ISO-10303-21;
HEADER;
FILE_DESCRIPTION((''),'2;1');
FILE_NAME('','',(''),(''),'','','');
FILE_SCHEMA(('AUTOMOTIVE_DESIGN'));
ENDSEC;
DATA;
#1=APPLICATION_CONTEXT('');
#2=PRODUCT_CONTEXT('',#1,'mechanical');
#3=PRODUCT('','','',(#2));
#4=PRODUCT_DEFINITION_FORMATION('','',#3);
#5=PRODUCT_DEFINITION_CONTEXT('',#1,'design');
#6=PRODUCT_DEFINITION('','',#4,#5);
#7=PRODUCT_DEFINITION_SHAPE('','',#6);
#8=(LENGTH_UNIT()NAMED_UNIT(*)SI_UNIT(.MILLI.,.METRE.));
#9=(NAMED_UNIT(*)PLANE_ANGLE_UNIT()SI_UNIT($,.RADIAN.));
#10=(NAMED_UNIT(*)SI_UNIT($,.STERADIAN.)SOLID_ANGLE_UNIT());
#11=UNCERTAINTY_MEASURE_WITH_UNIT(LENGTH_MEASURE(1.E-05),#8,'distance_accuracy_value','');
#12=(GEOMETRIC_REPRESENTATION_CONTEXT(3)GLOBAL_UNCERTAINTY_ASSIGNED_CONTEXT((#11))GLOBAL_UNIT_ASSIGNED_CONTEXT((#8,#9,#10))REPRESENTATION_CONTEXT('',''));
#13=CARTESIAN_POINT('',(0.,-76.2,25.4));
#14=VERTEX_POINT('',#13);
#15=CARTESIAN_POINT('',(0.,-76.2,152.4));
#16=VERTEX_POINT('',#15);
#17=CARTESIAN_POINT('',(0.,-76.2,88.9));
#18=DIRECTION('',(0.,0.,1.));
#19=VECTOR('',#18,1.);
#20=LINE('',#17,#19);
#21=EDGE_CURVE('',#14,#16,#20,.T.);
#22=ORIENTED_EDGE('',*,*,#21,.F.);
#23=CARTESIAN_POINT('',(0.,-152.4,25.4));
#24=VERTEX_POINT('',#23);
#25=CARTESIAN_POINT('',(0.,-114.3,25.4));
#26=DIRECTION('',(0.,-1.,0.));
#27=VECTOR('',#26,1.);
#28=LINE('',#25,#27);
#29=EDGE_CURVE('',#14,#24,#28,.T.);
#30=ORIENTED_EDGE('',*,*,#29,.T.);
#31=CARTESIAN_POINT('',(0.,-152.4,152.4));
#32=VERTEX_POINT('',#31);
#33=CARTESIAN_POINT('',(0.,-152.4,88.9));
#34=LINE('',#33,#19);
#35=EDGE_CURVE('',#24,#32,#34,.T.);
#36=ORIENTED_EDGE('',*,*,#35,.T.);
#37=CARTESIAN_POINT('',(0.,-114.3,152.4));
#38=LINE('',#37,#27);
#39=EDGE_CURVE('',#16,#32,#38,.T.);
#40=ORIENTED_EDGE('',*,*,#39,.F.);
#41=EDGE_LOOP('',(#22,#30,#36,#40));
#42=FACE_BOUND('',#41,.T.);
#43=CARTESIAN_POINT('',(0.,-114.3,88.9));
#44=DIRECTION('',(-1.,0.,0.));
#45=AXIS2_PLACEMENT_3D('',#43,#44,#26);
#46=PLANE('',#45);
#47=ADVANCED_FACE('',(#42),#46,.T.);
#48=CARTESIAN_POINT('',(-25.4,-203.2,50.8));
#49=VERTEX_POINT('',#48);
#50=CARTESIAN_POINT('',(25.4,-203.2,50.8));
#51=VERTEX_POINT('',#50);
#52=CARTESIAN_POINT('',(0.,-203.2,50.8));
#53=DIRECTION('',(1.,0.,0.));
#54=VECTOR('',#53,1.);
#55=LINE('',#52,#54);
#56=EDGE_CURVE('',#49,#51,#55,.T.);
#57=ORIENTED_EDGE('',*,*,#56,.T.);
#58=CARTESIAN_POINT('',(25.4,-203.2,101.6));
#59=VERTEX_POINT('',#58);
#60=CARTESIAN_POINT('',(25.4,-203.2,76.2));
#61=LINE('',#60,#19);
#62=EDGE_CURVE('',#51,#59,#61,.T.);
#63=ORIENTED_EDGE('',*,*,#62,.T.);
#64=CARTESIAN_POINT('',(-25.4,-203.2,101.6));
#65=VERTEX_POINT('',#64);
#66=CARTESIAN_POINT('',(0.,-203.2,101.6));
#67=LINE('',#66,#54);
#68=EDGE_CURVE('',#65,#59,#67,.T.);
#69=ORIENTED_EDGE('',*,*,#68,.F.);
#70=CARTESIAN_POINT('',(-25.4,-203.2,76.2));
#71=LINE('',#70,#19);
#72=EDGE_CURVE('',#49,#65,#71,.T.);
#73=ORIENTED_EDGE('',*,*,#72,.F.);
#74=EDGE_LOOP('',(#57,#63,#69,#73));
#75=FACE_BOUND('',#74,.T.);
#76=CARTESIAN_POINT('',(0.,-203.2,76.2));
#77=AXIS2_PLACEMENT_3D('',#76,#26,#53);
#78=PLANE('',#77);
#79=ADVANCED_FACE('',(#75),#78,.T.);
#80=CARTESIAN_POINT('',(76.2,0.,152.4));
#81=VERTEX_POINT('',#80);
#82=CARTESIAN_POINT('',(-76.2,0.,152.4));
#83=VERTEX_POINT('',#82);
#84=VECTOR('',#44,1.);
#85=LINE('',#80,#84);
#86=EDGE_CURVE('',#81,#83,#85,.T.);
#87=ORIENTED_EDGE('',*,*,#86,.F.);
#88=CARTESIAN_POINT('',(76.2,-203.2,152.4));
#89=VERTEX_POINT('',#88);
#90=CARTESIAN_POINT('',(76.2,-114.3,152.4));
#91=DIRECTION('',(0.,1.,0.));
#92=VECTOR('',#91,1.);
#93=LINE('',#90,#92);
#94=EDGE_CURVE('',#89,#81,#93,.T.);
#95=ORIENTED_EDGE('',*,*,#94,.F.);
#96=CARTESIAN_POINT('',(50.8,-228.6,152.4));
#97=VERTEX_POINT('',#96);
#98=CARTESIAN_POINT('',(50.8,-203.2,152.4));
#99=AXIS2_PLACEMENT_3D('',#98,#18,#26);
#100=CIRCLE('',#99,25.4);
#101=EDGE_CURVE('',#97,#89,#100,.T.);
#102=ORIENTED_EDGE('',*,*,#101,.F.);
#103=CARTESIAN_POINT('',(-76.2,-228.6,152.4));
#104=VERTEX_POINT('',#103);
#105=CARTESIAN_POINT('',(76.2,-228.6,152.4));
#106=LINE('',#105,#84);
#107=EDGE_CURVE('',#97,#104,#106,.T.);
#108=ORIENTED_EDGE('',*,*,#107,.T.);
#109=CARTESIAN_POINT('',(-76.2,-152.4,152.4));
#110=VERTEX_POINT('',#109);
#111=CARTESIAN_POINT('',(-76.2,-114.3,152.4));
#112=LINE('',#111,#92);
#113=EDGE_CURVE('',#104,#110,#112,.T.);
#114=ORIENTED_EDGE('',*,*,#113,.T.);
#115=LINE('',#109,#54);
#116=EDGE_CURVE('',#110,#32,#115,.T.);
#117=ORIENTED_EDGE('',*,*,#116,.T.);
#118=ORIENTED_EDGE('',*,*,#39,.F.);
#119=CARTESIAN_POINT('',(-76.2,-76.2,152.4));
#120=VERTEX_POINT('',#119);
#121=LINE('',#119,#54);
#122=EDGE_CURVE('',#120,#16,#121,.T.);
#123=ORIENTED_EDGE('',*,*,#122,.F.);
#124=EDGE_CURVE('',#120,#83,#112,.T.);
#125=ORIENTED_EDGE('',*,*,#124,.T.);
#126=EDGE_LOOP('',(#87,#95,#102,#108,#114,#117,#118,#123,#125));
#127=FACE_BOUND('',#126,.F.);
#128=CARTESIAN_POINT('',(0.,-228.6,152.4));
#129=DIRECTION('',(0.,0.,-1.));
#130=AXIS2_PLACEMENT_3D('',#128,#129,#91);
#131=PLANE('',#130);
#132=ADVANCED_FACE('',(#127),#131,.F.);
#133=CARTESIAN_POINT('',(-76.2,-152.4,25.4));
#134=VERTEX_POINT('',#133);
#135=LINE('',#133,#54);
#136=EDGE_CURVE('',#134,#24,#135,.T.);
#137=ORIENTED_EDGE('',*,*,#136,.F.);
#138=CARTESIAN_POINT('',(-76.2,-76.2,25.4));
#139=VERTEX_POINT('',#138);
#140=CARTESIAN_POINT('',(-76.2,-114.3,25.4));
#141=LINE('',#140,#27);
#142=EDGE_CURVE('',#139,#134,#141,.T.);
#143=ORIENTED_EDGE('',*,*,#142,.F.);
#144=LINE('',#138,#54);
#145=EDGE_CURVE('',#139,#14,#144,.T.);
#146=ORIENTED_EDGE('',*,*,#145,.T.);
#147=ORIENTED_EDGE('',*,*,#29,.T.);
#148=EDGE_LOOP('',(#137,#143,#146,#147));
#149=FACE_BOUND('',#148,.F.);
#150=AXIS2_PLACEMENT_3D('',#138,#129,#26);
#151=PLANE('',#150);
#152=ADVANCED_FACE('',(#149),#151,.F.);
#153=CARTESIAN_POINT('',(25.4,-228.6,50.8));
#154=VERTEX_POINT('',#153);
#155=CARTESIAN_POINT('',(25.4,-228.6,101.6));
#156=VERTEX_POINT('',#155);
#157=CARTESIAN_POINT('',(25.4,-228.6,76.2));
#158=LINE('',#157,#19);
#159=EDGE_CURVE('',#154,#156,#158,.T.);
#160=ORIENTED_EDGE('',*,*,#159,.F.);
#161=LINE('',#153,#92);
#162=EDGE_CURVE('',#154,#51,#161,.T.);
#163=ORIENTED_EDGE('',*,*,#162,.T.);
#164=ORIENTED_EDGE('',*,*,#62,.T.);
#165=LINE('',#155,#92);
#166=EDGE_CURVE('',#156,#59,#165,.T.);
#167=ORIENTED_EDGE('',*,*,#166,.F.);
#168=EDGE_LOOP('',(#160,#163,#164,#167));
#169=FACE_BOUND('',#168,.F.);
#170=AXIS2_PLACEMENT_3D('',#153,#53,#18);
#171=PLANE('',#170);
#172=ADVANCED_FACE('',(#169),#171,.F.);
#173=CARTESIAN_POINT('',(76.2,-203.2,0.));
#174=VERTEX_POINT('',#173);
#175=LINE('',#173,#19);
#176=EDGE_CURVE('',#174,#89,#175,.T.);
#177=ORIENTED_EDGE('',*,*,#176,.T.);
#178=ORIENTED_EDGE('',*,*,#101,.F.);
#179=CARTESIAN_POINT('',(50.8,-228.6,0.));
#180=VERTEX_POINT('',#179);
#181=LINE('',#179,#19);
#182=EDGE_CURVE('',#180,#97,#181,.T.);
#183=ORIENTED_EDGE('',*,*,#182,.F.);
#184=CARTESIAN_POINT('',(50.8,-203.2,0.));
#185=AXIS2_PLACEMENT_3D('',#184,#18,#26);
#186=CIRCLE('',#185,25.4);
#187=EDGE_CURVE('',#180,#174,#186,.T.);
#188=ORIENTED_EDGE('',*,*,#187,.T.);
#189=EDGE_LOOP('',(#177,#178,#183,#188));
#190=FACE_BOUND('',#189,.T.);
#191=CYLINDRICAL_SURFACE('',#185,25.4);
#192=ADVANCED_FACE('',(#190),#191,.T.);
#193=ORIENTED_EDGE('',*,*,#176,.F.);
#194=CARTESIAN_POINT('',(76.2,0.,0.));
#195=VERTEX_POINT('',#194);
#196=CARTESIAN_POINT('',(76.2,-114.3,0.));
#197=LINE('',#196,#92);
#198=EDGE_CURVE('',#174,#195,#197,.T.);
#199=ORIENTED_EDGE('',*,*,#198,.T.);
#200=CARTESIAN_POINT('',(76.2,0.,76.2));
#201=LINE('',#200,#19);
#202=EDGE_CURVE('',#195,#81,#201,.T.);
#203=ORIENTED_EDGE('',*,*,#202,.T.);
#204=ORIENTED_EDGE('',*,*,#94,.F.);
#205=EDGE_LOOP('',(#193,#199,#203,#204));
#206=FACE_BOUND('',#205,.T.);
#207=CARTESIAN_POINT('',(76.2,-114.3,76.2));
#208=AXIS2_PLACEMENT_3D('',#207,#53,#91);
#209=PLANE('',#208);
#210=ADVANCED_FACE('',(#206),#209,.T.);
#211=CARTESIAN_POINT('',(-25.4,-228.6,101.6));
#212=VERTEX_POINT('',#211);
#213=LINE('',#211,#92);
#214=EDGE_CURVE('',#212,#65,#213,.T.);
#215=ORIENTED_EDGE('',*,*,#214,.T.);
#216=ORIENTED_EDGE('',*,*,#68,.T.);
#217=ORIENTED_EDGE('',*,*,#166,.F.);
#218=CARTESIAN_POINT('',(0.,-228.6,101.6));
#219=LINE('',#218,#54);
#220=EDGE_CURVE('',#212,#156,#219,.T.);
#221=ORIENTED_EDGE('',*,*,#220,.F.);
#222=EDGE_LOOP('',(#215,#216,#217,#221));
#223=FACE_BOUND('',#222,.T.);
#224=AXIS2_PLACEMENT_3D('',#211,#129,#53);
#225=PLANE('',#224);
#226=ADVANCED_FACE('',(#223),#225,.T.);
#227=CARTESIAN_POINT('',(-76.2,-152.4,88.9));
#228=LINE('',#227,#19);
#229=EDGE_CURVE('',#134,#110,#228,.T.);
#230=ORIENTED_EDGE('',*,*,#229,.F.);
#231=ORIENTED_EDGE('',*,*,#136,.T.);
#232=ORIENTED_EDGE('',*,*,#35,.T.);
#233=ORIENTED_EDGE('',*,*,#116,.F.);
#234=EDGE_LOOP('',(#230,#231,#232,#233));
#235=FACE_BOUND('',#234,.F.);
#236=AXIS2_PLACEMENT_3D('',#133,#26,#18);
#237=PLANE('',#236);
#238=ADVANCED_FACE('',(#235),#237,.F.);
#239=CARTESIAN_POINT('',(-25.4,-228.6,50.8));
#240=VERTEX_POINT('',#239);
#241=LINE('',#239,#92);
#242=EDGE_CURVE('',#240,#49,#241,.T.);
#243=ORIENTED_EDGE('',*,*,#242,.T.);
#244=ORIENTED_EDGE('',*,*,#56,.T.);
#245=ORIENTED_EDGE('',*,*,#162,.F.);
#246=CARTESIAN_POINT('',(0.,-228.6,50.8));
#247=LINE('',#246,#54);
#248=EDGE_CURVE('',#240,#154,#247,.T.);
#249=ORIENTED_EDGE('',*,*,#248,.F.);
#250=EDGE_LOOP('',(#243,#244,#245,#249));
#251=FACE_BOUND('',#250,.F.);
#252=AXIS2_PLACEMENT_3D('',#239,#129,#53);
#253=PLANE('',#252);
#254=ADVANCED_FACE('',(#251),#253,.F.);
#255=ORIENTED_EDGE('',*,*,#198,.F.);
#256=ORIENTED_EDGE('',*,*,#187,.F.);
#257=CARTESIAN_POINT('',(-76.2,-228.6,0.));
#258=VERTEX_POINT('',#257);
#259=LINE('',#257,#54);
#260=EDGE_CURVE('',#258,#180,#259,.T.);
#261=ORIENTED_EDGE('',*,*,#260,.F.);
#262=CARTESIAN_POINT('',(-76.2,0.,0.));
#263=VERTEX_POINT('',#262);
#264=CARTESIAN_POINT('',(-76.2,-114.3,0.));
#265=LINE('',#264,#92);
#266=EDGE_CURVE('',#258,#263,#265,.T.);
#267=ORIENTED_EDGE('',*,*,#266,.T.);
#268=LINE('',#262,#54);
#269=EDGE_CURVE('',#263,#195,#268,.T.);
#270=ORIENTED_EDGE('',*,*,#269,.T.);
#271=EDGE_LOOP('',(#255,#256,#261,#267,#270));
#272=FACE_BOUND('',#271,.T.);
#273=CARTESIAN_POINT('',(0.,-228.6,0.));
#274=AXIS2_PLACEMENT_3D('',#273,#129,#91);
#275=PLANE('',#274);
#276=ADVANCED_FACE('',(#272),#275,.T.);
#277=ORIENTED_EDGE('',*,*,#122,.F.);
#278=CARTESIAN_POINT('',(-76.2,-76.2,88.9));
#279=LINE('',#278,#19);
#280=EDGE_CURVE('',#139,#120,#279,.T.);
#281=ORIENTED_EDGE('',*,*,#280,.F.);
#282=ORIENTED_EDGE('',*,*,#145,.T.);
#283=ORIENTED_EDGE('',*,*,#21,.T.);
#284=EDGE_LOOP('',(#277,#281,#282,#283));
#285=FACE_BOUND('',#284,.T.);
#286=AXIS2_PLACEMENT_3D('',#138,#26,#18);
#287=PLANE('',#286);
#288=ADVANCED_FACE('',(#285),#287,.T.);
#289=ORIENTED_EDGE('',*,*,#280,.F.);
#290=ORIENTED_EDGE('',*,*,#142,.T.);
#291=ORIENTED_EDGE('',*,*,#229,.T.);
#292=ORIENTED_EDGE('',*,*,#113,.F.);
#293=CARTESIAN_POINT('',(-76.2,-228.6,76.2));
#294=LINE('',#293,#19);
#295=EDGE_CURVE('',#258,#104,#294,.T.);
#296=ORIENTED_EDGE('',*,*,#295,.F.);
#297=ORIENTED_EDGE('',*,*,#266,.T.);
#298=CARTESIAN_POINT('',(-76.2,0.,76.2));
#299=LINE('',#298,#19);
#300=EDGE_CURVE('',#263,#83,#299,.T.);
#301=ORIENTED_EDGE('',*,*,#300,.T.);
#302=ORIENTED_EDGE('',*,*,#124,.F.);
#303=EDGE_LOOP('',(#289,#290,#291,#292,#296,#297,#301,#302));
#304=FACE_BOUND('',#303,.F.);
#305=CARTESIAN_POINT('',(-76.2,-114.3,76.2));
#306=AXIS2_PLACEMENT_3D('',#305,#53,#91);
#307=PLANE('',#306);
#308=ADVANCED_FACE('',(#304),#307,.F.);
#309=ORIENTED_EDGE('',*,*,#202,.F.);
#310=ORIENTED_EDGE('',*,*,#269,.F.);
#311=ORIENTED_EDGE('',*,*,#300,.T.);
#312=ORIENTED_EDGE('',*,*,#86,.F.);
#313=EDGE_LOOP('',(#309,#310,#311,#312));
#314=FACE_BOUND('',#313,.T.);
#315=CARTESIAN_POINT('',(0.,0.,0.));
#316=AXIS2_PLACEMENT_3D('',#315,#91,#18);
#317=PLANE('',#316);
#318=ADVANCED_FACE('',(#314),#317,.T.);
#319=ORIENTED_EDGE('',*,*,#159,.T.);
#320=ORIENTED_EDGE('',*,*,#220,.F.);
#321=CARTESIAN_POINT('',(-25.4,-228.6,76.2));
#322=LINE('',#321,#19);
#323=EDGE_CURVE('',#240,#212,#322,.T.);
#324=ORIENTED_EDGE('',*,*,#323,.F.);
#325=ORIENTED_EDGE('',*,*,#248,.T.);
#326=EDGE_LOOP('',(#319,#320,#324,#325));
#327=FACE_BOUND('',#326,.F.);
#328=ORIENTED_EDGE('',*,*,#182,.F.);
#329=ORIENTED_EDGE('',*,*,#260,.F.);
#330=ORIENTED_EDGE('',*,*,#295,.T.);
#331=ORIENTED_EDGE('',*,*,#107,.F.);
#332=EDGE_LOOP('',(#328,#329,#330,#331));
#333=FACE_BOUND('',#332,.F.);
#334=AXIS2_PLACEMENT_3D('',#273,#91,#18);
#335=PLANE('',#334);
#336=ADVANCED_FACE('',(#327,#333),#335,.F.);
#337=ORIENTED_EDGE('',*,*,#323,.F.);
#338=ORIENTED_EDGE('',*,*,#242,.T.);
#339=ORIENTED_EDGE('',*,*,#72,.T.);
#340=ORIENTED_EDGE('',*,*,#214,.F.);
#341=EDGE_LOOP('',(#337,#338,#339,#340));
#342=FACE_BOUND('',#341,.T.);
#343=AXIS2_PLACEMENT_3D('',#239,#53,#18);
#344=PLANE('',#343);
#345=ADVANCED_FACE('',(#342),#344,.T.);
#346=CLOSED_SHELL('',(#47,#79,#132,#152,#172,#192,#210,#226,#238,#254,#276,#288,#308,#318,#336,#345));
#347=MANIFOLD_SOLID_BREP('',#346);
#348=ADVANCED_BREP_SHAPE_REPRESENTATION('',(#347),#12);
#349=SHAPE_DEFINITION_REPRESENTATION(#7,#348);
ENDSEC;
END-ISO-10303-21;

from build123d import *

# Parameters (mm, degrees)
F0_W     = 228.6
F0_H     = 152.4
F1_DEPTH = 76.2
F2_W     = 76.2
F2_H     = 127
F3_DEPTH = 76.2
F4_R     = 25.4
F5_W     = 50.8
F5_H     = 50.8
F6_DEPTH = 25.4


with BuildPart() as f1:
    # F0 (on Right) → F1 (new body, symmetric)
    with BuildSketch(Plane.YZ):
        with Locations((-114.3, 76.2)):
            Rectangle(F0_W, F0_H)
    extrude(amount=F1_DEPTH, both=True)

    # F2 (on face) → F3 (cut)
    with BuildSketch(Plane(origin=(-76.2, 0, 0), x_dir=(0, -1, 0), z_dir=(-1, 0, 0))):
        with Locations((114.3, 88.9)):
            Rectangle(F2_W, F2_H)
    extrude(amount=-F3_DEPTH, mode=Mode.SUBTRACT)

    # F4
    f4_edges = [f1.edges().sort_by_distance(p)[0] for p in [
        (76.2, -228.6, 76.2),
    ]]
    fillet(f4_edges, radius=F4_R)

    # F5 (on face) → F6 (cut)
    with BuildSketch(Plane.XZ.offset(228.6)):
        with Locations((0, 76.2)):
            Rectangle(F5_W, F5_H)
    extrude(amount=-F6_DEPTH, mode=Mode.SUBTRACT)


solid = f1.part
